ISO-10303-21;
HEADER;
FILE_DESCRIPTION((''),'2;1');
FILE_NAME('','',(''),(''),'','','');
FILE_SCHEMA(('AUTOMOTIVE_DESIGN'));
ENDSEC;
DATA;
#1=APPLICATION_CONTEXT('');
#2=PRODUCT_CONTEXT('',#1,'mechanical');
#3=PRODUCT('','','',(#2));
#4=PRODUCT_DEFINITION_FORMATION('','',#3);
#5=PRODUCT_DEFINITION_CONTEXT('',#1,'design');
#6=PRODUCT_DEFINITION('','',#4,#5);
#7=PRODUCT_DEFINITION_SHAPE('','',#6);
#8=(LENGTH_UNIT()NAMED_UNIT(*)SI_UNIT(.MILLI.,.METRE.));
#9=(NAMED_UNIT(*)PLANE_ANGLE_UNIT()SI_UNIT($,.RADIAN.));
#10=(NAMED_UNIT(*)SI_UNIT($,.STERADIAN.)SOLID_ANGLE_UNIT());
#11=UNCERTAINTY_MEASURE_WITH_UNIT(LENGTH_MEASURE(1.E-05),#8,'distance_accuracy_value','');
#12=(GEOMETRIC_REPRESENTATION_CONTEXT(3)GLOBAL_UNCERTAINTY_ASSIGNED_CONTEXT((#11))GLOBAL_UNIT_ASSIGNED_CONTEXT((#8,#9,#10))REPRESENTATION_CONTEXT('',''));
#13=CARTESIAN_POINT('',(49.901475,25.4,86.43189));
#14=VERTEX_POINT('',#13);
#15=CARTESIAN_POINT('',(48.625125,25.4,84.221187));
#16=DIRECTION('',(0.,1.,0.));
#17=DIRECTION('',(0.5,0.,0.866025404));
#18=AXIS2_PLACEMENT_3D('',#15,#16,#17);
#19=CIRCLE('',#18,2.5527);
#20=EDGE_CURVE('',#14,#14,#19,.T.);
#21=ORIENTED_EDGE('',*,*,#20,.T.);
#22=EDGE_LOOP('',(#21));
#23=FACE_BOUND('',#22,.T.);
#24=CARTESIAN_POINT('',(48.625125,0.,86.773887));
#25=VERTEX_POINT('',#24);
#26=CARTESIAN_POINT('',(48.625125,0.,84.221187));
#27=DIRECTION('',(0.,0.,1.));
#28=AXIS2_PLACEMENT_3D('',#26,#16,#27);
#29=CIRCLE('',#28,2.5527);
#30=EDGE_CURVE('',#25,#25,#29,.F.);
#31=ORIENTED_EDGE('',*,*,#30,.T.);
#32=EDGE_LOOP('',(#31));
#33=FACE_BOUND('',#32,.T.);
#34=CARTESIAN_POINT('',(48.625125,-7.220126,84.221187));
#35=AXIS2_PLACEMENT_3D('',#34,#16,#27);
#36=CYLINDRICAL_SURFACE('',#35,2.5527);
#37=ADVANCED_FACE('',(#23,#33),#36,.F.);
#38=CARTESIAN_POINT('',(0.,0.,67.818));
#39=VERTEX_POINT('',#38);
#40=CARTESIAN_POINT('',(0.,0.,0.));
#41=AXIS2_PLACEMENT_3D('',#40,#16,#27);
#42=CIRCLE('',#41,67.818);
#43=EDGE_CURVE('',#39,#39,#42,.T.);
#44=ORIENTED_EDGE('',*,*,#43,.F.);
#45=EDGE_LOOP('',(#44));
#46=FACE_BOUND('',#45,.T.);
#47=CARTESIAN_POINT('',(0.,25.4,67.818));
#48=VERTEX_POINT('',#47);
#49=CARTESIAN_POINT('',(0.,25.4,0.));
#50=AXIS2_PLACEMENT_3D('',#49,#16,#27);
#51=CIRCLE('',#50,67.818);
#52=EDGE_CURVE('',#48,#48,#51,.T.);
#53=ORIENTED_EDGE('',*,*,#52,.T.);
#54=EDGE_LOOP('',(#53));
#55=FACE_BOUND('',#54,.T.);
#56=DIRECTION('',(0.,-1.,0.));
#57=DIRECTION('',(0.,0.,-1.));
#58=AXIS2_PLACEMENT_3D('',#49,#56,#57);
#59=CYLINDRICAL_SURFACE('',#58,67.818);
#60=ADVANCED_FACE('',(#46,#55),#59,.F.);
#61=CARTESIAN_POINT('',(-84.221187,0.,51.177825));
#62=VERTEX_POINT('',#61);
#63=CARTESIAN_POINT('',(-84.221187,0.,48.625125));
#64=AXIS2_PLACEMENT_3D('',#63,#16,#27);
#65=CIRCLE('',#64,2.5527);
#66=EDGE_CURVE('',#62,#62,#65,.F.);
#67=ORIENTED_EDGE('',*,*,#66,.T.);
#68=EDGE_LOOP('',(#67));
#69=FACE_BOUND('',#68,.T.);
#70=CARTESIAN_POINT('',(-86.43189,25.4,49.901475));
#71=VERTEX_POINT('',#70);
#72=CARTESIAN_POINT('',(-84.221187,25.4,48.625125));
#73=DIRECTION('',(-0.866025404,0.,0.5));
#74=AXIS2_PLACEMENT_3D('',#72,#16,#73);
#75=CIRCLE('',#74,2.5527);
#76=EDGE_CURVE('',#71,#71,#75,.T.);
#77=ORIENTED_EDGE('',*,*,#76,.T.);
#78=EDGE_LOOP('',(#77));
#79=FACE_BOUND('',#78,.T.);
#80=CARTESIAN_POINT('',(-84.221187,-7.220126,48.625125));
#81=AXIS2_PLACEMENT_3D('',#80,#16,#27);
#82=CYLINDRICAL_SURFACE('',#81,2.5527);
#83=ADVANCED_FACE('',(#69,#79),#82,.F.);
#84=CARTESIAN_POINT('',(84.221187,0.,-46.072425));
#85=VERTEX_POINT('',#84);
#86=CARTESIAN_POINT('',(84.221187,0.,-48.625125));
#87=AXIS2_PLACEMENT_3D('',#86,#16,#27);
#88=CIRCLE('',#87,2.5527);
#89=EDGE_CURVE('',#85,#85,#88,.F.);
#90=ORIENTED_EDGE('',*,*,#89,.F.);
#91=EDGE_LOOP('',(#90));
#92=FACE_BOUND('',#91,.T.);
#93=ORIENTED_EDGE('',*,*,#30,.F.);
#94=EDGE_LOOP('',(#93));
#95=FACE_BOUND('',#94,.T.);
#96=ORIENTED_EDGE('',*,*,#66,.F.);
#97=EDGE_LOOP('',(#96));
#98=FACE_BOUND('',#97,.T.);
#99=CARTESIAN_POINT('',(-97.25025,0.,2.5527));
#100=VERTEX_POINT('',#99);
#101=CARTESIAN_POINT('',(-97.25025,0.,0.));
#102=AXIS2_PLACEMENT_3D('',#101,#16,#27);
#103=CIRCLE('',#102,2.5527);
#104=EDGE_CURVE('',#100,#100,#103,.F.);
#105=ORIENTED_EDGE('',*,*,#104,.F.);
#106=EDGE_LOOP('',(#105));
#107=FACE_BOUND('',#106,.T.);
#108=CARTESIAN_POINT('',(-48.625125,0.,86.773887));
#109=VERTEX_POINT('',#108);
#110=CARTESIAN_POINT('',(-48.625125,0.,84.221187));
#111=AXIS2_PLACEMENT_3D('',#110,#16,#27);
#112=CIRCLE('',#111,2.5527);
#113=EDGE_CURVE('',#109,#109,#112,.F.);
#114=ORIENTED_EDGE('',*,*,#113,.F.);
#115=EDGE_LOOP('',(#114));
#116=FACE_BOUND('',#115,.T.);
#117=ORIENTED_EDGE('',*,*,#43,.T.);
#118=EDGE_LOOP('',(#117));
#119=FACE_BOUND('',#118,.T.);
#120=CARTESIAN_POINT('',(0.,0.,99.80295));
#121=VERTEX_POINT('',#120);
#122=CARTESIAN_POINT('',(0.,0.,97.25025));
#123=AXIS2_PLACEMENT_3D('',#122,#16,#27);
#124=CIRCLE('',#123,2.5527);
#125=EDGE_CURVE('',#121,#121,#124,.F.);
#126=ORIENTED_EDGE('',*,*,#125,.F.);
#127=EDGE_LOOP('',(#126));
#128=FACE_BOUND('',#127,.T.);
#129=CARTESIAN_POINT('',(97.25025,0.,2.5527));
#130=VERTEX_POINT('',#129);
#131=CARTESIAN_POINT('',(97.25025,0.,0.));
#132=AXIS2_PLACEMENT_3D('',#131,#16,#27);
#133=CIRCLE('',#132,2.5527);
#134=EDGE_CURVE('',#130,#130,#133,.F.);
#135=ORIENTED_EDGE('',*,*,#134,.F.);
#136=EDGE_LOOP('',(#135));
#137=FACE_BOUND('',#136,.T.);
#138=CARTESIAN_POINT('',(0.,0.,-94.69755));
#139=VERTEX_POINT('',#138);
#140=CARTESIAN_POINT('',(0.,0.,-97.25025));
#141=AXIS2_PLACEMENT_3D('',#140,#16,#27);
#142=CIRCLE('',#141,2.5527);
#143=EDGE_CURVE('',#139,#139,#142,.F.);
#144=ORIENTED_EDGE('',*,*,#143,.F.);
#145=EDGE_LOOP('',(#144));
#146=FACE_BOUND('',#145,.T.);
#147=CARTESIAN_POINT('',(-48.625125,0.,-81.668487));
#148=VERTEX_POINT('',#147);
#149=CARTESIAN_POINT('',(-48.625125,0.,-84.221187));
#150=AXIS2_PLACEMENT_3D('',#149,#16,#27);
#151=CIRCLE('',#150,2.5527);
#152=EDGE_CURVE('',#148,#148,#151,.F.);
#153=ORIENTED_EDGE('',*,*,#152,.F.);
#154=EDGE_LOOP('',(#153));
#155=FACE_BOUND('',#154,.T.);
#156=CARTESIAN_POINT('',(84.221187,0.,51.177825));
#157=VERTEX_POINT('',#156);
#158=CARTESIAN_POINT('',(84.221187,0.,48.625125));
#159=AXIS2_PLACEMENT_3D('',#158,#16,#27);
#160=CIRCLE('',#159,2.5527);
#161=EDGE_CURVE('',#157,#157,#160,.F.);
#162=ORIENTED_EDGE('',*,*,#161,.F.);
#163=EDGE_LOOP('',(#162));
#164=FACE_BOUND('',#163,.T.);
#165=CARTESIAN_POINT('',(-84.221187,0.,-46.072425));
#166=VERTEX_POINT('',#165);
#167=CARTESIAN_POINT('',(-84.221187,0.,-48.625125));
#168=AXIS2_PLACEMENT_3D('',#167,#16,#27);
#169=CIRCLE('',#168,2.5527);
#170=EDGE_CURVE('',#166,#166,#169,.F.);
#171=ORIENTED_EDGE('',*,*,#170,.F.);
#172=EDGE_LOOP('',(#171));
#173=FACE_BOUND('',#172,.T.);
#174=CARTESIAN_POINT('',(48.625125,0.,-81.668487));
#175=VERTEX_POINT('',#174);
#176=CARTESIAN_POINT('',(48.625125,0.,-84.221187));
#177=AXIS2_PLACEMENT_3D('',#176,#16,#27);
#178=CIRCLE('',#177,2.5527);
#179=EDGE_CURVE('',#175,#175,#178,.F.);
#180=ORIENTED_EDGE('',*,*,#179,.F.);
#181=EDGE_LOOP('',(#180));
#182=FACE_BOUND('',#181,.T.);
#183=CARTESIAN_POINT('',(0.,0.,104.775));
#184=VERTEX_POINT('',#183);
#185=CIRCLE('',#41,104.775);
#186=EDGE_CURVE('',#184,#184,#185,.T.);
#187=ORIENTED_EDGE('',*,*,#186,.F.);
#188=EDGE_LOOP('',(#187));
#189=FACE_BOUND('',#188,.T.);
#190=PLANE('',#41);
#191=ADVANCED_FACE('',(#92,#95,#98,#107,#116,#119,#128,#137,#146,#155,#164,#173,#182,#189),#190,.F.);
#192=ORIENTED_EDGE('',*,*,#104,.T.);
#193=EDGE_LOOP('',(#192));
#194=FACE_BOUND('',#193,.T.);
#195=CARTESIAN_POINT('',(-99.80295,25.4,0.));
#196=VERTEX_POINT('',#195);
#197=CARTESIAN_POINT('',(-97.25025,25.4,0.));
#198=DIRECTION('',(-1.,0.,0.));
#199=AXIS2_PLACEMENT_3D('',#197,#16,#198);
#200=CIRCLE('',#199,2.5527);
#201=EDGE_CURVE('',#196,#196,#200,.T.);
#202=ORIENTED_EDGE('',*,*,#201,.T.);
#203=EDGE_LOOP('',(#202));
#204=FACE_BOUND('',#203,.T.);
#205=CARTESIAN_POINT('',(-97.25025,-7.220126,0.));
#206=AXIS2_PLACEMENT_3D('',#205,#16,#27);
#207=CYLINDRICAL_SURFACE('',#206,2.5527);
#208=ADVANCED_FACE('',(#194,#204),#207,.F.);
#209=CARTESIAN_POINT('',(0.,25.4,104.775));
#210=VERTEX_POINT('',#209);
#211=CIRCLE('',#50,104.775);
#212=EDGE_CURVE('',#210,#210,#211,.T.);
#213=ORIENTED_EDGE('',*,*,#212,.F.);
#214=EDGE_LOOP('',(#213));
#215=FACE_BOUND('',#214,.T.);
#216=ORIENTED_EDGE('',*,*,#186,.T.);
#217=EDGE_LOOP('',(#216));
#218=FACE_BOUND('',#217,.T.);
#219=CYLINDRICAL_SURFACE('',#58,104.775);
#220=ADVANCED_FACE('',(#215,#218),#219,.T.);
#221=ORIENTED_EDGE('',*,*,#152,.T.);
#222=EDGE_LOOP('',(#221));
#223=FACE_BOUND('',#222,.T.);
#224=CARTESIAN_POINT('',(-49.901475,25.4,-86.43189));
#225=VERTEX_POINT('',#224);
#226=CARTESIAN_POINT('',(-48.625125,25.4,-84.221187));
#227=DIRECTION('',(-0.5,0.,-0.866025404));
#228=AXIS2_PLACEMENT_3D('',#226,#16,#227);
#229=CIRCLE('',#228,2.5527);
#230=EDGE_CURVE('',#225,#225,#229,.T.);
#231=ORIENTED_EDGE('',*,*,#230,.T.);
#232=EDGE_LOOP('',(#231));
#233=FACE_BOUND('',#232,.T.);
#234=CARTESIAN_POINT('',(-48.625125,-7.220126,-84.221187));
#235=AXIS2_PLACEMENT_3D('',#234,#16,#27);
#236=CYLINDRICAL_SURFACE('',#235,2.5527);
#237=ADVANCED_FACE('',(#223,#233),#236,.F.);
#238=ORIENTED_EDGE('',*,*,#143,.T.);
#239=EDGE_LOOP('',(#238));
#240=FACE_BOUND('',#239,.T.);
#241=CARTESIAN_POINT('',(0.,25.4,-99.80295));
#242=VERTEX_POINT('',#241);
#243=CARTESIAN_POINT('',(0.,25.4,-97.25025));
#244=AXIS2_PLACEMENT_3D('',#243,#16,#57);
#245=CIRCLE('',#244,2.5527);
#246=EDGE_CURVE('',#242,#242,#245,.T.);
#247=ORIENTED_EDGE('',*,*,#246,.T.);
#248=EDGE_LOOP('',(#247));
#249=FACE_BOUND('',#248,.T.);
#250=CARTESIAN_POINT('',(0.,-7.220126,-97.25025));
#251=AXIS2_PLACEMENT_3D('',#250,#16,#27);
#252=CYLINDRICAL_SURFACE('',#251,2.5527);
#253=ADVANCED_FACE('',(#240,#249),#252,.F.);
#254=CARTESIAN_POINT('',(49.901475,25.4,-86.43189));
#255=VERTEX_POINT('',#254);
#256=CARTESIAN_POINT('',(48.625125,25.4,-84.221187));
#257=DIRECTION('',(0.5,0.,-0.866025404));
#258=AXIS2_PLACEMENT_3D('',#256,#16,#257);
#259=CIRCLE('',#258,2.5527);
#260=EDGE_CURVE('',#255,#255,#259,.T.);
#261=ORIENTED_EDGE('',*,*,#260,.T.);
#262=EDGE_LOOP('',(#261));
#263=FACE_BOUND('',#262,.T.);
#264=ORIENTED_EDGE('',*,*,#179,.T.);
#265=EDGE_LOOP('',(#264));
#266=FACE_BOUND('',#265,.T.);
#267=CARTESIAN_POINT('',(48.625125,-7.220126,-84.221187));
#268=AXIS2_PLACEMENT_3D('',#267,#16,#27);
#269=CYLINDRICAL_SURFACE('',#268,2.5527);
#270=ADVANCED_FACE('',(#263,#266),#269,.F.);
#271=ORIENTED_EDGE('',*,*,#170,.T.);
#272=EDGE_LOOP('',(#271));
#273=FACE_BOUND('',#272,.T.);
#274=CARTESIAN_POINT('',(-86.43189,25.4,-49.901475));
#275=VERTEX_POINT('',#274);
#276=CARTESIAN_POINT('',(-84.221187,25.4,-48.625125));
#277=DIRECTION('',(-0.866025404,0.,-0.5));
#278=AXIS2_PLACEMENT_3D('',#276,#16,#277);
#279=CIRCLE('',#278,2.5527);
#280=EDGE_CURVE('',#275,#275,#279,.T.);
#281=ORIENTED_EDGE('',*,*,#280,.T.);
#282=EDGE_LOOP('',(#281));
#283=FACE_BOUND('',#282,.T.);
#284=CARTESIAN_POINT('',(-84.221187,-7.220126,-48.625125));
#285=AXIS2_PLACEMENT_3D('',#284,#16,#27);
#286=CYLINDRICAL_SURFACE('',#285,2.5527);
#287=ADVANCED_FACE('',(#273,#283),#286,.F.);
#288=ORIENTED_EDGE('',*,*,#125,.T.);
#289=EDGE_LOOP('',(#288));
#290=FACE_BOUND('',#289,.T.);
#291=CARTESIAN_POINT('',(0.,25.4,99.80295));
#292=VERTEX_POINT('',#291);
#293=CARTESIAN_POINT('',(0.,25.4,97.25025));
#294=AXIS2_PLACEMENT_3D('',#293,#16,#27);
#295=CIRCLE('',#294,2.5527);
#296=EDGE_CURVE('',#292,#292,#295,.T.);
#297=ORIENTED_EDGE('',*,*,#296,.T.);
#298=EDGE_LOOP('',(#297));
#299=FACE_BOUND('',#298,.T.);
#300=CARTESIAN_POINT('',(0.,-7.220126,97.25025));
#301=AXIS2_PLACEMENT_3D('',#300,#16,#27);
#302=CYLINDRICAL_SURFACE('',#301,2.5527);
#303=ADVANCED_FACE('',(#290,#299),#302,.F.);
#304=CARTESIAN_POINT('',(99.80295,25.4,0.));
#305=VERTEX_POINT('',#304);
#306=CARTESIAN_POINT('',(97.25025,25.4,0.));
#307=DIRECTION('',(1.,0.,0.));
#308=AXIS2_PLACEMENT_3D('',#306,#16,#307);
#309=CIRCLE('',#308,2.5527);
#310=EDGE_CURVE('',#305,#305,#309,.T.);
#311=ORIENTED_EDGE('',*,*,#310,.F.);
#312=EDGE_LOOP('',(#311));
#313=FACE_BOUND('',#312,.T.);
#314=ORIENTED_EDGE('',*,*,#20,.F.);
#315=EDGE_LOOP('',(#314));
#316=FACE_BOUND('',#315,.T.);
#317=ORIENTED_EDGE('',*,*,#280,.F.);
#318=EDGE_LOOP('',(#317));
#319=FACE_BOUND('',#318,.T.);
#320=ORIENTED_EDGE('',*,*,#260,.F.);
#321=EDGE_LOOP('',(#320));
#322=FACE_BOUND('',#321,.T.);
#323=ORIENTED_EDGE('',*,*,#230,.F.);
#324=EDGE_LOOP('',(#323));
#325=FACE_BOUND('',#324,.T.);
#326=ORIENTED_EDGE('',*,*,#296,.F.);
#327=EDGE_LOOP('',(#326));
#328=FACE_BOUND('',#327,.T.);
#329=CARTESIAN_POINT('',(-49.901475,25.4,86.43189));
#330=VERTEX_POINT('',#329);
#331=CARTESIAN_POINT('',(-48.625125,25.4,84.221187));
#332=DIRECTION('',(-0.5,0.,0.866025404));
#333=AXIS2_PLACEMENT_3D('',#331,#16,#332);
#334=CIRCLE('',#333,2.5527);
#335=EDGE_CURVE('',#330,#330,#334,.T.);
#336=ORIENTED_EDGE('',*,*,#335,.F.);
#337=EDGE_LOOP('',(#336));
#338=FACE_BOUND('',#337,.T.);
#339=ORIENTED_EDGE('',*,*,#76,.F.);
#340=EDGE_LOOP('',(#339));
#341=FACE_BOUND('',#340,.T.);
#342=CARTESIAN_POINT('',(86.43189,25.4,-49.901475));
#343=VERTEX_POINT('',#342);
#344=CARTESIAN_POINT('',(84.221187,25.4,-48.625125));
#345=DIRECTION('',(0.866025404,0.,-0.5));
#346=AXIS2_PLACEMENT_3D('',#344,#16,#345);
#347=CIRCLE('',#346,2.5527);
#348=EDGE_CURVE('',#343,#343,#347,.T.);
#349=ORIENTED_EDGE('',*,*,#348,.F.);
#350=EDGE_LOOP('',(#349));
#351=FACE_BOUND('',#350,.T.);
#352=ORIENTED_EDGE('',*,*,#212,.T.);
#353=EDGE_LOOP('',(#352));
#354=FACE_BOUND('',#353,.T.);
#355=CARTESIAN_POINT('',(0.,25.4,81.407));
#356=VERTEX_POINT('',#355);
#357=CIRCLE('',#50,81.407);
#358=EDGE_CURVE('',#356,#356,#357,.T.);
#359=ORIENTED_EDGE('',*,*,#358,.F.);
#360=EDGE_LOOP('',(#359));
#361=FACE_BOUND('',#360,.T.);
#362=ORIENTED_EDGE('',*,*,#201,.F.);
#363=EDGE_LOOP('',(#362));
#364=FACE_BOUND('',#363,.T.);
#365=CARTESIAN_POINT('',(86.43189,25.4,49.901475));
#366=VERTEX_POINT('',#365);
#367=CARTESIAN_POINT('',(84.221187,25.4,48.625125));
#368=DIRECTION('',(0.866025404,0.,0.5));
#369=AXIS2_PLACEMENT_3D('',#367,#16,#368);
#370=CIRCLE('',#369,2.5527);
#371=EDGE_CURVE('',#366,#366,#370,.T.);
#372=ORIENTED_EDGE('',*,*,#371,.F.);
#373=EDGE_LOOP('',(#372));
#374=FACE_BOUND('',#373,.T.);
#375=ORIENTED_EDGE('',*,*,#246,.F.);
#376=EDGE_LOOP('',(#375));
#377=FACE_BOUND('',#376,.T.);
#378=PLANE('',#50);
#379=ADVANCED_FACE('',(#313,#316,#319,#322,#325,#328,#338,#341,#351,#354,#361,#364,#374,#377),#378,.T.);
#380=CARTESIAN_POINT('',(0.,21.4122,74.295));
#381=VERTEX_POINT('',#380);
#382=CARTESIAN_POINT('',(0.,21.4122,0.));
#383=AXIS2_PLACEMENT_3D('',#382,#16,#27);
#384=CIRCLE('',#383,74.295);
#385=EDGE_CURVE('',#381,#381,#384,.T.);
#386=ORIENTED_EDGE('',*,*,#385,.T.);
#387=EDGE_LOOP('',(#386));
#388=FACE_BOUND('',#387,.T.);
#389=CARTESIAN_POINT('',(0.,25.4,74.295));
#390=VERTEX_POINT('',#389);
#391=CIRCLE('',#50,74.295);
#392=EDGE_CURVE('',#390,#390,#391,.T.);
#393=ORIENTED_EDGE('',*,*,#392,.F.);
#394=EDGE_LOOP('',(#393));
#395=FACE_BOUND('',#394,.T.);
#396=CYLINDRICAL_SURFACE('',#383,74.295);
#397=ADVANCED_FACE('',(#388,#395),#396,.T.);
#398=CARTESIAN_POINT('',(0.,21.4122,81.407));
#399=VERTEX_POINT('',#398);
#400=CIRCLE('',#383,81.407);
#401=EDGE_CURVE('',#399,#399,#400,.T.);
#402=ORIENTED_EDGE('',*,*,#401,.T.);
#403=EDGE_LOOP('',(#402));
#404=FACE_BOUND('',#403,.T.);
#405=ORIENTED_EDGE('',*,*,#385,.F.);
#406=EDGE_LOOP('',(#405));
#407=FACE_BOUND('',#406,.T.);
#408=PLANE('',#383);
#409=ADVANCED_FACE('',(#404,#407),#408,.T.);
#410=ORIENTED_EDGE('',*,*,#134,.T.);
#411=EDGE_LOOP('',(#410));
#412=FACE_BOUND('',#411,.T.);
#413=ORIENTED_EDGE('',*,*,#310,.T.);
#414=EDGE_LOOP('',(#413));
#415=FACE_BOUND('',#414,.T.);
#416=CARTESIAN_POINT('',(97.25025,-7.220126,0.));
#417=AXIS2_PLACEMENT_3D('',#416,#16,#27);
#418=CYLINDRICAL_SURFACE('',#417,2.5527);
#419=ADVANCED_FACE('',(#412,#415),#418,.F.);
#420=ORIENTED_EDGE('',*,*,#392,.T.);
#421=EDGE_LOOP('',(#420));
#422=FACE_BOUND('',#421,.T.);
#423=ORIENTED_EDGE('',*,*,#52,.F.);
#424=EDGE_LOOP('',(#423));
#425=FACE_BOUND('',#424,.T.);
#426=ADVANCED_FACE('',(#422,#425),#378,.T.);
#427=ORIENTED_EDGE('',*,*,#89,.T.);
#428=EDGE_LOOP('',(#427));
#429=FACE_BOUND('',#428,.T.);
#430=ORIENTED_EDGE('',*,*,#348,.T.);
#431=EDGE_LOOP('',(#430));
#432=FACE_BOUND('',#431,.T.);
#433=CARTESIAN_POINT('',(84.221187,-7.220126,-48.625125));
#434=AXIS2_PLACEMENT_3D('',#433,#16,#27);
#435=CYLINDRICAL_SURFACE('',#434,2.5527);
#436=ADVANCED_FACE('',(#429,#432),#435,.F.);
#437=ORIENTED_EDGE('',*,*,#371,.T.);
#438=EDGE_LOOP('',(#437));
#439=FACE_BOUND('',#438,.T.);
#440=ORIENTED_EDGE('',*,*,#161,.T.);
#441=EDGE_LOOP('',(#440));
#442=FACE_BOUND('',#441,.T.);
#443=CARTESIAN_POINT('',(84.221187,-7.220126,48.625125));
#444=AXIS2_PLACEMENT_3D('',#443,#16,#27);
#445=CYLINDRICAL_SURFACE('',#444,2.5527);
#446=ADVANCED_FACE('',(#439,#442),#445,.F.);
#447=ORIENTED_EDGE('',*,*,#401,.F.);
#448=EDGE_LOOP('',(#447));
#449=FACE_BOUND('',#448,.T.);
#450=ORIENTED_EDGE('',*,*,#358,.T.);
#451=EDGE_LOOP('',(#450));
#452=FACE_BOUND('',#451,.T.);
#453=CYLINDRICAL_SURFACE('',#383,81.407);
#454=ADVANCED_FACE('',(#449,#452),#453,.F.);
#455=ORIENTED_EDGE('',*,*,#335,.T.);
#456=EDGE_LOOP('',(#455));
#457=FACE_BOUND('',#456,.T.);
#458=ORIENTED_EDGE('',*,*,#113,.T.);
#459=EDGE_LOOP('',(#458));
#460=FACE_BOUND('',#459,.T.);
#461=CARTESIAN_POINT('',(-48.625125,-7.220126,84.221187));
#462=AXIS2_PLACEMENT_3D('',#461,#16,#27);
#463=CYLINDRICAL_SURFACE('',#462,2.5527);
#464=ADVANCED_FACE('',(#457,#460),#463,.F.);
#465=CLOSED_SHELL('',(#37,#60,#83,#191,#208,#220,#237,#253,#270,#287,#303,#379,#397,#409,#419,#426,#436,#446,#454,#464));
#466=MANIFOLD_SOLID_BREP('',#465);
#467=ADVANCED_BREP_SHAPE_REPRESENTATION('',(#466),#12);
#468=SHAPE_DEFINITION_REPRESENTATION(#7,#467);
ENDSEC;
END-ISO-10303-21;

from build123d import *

# Parameters (mm, degrees)
SKETCH2_R         = 104.775
SKETCH2_R_2       = 67.818
FLANGE_DEPTH      = 25.4
SKETCH4_R         = 81.407
SKETCH4_R_2       = 74.295
GROOVE_DEPTH      = 3.9878
SKETCH5_R         = 2.5527
SCREW_HOLES_DEPTH = 25.4
CIRPATTERN1_COUNT = 12


with BuildPart() as part:
    # Sketch2 → Flange (new body)
    with BuildSketch(Plane(origin=(0, 0, 0), x_dir=(1, 0, 0), z_dir=(0, 1, 0))):
        with Locations(Location((0, 0, 0), (0, 0, 270))):
            Circle(SKETCH2_R)
        with Locations(Location((0, 0, 0), (0, 0, 270))):
            Circle(SKETCH2_R_2, mode=Mode.SUBTRACT)
    extrude(amount=FLANGE_DEPTH)

    # Sketch4 → Groove (cut)
    with BuildSketch(Plane(origin=(0, 25.4, 0), x_dir=(1, 0, 0), z_dir=(0, 1, 0))):
        with Locations(Location((0, 0, 0), (0, 0, 270))):
            Circle(SKETCH4_R)
        with Locations(Location((0, 0, 0), (0, 0, 270))):
            Circle(SKETCH4_R_2, mode=Mode.SUBTRACT)
    extrude(amount=-GROOVE_DEPTH, mode=Mode.SUBTRACT)

    # Sketch5 → Screw Holes (cut)
    with BuildSketch(Plane(origin=(0, 25.4, 0), x_dir=(1, 0, 0), z_dir=(0, 1, 0))):
        with Locations(Location((0, -97.25025, 0), (0, 0, 270))):
            Circle(SKETCH5_R)
    screw_holes = extrude(amount=-SCREW_HOLES_DEPTH, mode=Mode.SUBTRACT)

    # CirPattern1: Screw Holes ×12 about axis
    cirpattern1_axis = Axis((0, 0, 0), (0, 1, 0))
    for i in range(1, CIRPATTERN1_COUNT):
        add(screw_holes.rotate(cirpattern1_axis, i * 360 / CIRPATTERN1_COUNT), mode=Mode.SUBTRACT)


solid = part.part
